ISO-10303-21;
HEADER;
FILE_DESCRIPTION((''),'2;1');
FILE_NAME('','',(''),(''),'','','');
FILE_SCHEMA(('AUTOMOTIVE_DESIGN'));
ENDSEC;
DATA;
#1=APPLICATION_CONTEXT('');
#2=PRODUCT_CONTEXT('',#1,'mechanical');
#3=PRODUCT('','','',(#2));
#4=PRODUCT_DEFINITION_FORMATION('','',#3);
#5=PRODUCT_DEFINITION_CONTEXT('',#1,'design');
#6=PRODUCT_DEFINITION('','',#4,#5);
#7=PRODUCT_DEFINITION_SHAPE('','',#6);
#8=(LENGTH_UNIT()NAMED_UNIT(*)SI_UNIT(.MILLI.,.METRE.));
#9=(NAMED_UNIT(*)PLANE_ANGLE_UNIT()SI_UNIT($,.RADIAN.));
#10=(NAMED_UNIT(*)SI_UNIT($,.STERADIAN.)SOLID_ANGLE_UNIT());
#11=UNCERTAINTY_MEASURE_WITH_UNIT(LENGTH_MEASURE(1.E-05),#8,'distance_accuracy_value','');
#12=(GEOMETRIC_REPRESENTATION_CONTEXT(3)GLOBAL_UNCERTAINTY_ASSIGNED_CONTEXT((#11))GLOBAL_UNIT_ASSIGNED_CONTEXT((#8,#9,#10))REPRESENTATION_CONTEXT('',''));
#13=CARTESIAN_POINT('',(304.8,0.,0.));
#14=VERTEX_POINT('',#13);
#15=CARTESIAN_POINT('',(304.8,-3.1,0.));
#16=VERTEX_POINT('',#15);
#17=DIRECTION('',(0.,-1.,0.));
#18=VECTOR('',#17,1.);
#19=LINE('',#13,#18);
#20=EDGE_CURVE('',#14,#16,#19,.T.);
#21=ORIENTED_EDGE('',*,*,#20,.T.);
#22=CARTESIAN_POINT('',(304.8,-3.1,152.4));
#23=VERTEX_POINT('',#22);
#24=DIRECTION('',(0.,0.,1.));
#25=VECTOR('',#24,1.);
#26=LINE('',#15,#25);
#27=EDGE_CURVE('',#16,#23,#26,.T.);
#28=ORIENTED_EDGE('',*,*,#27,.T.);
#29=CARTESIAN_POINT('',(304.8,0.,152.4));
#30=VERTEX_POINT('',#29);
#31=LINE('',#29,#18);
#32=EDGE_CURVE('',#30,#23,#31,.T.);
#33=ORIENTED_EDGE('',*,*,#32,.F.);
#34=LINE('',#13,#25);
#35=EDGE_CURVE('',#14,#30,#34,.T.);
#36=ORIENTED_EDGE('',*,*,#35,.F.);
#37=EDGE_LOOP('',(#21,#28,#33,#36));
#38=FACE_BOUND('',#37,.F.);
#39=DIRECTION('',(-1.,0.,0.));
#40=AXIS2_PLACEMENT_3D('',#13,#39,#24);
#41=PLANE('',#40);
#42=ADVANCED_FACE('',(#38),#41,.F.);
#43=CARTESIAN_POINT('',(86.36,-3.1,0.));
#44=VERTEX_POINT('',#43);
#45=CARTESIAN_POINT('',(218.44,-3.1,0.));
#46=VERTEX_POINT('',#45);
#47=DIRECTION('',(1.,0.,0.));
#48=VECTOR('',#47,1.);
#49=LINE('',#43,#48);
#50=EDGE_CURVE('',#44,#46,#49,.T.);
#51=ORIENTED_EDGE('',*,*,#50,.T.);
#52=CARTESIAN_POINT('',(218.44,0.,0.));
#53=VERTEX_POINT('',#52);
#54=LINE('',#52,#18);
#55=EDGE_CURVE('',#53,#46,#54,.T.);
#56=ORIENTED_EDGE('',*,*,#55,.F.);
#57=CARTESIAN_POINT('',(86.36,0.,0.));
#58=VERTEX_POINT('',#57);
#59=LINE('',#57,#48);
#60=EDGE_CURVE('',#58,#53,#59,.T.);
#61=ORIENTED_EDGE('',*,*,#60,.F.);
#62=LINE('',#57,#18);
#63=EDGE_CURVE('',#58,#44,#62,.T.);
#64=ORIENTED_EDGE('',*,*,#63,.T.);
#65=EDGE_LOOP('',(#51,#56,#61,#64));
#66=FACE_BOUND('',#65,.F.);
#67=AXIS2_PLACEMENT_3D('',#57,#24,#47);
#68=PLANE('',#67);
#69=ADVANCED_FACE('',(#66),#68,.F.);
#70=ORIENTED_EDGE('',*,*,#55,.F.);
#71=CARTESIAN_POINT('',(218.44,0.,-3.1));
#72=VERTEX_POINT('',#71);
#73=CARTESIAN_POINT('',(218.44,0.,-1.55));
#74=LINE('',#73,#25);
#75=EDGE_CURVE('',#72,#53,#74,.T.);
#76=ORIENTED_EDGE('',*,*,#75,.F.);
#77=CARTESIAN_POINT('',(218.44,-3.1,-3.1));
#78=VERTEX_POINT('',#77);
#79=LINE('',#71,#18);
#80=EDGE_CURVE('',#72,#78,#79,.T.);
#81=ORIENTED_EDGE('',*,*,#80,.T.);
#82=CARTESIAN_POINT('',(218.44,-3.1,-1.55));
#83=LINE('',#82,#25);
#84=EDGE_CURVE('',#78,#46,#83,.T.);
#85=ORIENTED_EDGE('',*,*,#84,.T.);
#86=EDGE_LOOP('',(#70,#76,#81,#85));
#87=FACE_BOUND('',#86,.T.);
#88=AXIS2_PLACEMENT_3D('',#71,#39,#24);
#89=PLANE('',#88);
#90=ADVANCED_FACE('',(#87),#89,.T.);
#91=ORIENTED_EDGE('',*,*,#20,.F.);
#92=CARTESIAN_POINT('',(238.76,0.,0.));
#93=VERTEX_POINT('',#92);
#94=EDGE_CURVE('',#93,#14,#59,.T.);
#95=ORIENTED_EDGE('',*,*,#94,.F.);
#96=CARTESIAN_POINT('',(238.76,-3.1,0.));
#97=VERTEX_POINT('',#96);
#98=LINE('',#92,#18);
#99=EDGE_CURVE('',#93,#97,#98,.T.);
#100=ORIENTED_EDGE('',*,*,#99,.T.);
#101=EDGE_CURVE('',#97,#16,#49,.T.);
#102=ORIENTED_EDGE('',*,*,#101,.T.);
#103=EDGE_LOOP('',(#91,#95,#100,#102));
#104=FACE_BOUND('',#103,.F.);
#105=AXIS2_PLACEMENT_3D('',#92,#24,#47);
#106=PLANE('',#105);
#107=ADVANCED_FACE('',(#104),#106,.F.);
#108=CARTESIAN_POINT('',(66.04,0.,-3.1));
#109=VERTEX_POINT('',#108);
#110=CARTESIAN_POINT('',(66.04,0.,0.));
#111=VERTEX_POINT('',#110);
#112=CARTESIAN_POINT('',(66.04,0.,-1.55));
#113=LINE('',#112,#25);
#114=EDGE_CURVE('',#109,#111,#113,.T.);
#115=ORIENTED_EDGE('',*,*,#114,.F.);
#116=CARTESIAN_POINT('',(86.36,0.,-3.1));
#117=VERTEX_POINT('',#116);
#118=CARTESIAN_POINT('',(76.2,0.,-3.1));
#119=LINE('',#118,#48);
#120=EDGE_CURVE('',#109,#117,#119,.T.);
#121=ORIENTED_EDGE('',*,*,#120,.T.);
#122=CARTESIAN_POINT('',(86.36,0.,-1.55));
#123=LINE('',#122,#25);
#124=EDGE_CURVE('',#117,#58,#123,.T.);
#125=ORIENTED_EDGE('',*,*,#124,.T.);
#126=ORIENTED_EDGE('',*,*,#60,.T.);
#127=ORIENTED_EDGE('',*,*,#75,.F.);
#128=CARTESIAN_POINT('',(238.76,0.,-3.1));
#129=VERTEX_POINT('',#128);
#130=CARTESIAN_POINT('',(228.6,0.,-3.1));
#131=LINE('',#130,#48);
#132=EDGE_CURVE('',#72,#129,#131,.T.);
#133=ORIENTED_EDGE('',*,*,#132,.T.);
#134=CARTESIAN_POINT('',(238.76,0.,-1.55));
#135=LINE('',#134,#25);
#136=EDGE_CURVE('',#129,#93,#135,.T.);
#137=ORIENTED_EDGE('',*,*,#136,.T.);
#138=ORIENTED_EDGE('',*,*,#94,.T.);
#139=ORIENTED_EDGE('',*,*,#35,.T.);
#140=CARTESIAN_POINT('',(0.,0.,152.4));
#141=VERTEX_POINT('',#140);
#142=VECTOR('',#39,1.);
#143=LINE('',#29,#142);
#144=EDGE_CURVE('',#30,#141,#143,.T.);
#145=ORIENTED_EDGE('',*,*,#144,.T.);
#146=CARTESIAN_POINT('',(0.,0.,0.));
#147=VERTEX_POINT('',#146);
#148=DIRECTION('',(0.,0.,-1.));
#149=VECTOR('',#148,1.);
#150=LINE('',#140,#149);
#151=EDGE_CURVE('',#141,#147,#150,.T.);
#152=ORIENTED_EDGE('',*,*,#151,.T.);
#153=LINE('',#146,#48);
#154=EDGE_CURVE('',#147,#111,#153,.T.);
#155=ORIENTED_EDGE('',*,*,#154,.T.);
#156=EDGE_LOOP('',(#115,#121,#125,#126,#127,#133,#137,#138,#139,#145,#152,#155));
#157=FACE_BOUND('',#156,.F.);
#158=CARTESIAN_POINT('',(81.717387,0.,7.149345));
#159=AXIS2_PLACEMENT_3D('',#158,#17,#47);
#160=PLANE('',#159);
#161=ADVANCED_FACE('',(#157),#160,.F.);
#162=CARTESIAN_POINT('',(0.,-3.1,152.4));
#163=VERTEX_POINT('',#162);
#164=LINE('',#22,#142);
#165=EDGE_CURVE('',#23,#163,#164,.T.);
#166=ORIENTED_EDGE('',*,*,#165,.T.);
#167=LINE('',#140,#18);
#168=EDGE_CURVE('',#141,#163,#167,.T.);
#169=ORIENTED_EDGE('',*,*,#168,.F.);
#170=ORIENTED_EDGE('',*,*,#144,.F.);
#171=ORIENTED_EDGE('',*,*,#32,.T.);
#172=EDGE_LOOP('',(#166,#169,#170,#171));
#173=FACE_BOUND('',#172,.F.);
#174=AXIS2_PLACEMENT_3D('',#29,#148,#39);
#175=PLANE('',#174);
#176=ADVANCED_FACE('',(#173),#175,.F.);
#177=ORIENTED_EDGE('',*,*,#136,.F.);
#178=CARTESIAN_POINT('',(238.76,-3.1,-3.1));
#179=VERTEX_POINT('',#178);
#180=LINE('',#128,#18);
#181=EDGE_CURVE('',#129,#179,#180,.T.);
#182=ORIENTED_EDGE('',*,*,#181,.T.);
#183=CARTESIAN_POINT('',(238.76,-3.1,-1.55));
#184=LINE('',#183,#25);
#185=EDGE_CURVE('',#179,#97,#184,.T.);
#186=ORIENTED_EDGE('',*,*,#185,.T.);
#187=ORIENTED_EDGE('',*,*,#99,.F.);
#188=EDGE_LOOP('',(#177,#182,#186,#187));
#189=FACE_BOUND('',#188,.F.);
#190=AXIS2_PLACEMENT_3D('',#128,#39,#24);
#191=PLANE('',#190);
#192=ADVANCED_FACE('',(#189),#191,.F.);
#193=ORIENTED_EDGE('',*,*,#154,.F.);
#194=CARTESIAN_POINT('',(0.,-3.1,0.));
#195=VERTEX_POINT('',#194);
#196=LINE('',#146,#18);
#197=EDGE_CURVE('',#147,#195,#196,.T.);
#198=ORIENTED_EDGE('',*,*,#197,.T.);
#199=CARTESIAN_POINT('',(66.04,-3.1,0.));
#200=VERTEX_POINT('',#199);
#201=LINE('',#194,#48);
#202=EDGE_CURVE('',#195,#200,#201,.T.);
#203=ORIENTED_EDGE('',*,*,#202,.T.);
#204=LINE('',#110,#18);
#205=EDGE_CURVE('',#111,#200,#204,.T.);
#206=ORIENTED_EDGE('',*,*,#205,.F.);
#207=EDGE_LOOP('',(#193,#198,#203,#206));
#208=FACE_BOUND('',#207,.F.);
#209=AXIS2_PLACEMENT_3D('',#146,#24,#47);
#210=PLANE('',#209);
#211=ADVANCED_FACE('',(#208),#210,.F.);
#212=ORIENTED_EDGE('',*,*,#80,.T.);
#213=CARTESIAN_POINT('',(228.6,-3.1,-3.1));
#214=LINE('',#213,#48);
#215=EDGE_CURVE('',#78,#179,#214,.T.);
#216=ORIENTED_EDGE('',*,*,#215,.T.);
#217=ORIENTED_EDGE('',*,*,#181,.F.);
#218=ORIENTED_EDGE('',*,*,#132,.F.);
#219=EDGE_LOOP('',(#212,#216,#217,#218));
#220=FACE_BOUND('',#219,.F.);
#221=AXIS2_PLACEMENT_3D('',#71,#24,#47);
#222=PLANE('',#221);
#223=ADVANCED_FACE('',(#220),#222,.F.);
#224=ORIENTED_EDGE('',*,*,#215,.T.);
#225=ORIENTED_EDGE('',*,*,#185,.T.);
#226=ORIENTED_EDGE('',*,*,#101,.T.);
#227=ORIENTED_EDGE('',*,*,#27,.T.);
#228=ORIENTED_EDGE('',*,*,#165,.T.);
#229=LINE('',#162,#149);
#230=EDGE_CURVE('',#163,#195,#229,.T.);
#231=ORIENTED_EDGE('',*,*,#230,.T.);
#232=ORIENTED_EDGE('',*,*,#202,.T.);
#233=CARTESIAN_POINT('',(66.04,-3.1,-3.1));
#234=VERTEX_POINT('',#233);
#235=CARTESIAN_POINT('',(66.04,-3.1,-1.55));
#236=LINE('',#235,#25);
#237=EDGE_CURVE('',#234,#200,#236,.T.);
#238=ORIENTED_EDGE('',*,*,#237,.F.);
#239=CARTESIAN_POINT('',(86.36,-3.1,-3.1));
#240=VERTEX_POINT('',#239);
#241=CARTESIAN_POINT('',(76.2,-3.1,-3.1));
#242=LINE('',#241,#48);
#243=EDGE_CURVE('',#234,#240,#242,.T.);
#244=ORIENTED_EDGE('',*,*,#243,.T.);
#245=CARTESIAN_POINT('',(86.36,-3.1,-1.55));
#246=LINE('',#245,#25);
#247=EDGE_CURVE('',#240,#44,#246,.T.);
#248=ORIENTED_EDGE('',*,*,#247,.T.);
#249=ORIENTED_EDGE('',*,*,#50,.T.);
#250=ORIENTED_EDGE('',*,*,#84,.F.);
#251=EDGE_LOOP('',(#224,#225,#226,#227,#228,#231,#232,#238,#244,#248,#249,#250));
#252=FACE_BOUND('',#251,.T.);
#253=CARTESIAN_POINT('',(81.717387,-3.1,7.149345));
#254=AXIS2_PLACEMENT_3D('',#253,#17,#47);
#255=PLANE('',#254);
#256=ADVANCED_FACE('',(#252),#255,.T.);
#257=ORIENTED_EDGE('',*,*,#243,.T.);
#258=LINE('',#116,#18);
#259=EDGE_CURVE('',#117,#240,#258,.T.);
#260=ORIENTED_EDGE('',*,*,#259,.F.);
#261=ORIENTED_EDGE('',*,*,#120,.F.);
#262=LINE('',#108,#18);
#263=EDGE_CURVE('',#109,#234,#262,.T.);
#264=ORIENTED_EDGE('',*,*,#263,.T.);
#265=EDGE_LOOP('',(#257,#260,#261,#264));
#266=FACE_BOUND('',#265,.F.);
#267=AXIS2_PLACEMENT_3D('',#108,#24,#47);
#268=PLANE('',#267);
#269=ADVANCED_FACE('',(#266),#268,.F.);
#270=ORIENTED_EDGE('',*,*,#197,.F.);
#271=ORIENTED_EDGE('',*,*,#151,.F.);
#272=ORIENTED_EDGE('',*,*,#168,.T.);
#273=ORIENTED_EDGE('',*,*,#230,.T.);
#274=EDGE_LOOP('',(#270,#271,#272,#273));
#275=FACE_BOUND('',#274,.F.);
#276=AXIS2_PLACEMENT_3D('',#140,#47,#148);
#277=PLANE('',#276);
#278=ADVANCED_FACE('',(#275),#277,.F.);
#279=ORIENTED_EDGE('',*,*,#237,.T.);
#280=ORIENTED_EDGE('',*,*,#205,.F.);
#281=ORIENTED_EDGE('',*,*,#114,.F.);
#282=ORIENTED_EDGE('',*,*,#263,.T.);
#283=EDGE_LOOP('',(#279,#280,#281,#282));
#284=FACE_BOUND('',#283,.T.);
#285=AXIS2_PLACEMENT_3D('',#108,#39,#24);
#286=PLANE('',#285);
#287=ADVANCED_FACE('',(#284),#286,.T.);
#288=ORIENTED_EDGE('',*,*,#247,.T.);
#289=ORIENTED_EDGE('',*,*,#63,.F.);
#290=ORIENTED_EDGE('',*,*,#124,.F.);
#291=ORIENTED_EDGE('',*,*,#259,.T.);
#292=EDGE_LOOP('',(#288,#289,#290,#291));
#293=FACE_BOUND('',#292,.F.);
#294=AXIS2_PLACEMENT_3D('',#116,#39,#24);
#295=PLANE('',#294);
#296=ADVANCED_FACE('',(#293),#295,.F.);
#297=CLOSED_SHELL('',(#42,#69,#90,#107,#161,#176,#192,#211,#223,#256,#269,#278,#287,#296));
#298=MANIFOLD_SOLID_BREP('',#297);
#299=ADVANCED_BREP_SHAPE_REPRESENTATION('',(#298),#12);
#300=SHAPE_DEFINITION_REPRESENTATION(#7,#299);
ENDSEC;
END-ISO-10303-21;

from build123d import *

# Parameters (mm, degrees)
F0_W     = 20.32
F0_H     = 3.1
F1_DEPTH = 3.1


with BuildPart() as f1:
    # F0 (on Front) → F1 (new body)
    with BuildSketch(Plane.XZ):
        with BuildLine():
            Line((150.0847015591, 26.4639822764), (0, 0))
            Line((0, 0), (66.04, 0))
            Line((66.04, 0), (86.36, 0))
            Line((86.36, 0), (152.4, 0))
            ThreePointArc((152.4, 0), (151.8200719892, 13.2825351947), (150.0847015591, 26.4639822764))
        make_face()
        with BuildLine():
            Line((0, 152.4), (0, 0))
            Line((0, 0), (26.4639822764, 150.0847015591))
            ThreePointArc((26.4639822764, 150.0847015591), (13.2825351947, 151.8200719892), (0, 152.4))
        make_face()
        with BuildLine():
            Line((26.4639822764, 150.0847015591), (0, 0))
            Line((0, 0), (52.1238698428, 143.2091554078))
            ThreePointArc((52.1238698428, 143.2091554078), (39.4440224736, 147.2070959265), (26.4639822764, 150.0847015591))
        make_face()
        with BuildLine():
            Line((52.1238698428, 143.2091554078), (0, 0))
            Line((0, 0), (76.2, 131.9822715367))
            ThreePointArc((76.2, 131.9822715367), (64.4070230893, 138.1213067444), (52.1238698428, 143.2091554078))
        make_face()
        with BuildLine():
            Line((76.2, 131.9822715367), (0, 0))
            Line((0, 0), (97.9608317162, 116.7451731313))
            ThreePointArc((97.9608317162, 116.7451731313), (87.4130488999, 124.8387715496), (76.2, 131.9822715367))
        make_face()
        with BuildLine():
            Line((97.9608317162, 116.7451731313), (0, 0))
            Line((0, 0), (116.7451731313, 97.9608317162))
            ThreePointArc((116.7451731313, 97.9608317162), (107.7630734528, 107.7630734528), (97.9608317162, 116.7451731313))
        make_face()
        with BuildLine():
            Line((116.7451731313, 97.9608317162), (0, 0))
            Line((0, 0), (131.9822715367, 76.2))
            ThreePointArc((131.9822715367, 76.2), (124.8387715496, 87.4130488999), (116.7451731313, 97.9608317162))
        make_face()
        with BuildLine():
            Line((131.9822715367, 76.2), (0, 0))
            Line((0, 0), (143.2091554078, 52.1238698428))
            ThreePointArc((143.2091554078, 52.1238698428), (138.1213067444, 64.4070230893), (131.9822715367, 76.2))
        make_face()
        with BuildLine():
            Line((143.2091554078, 52.1238698428), (0, 0))
            Line((0, 0), (150.0847015591, 26.4639822764))
            ThreePointArc((150.0847015591, 26.4639822764), (147.2070959265, 39.4440224736), (143.2091554078, 52.1238698428))
        make_face()
        with Locations((76.2, -1.55)):
            Rectangle(F0_W, F0_H)
        with BuildLine():
            Line((304.8, 152.4), (0, 152.4))
            ThreePointArc((0, 152.4), (13.2825351947, 151.8200719892), (26.4639822764, 150.0847015591))
            ThreePointArc((26.4639822764, 150.0847015591), (39.4440224736, 147.2070959265), (52.1238698428, 143.2091554078))
            ThreePointArc((52.1238698428, 143.2091554078), (64.4070230893, 138.1213067444), (76.2, 131.9822715367))
            ThreePointArc((76.2, 131.9822715367), (87.4130488999, 124.8387715496), (97.9608317162, 116.7451731313))
            ThreePointArc((97.9608317162, 116.7451731313), (107.7630734528, 107.7630734528), (116.7451731313, 97.9608317162))
            ThreePointArc((116.7451731313, 97.9608317162), (124.8387715496, 87.4130488999), (131.9822715367, 76.2))
            ThreePointArc((131.9822715367, 76.2), (138.1213067444, 64.4070230893), (143.2091554078, 52.1238698428))
            ThreePointArc((143.2091554078, 52.1238698428), (147.2070959265, 39.4440224736), (150.0847015591, 26.4639822764))
            ThreePointArc((150.0847015591, 26.4639822764), (151.8200719892, 13.2825351947), (152.4, 0))
            Line((152.4, 0), (218.44, 0))
            Line((218.44, 0), (238.76, 0))
            Line((238.76, 0), (301.7, 0))
            Line((301.7, 0), (304.8, 0))
            Line((304.8, 0), (304.8, 25.4))
            Line((304.8, 25.4), (304.8, 152.4))
        make_face()
        with Locations((228.6, -1.55)):
            Rectangle(F0_W, F0_H)
    extrude(amount=F1_DEPTH)


solid = f1.part
